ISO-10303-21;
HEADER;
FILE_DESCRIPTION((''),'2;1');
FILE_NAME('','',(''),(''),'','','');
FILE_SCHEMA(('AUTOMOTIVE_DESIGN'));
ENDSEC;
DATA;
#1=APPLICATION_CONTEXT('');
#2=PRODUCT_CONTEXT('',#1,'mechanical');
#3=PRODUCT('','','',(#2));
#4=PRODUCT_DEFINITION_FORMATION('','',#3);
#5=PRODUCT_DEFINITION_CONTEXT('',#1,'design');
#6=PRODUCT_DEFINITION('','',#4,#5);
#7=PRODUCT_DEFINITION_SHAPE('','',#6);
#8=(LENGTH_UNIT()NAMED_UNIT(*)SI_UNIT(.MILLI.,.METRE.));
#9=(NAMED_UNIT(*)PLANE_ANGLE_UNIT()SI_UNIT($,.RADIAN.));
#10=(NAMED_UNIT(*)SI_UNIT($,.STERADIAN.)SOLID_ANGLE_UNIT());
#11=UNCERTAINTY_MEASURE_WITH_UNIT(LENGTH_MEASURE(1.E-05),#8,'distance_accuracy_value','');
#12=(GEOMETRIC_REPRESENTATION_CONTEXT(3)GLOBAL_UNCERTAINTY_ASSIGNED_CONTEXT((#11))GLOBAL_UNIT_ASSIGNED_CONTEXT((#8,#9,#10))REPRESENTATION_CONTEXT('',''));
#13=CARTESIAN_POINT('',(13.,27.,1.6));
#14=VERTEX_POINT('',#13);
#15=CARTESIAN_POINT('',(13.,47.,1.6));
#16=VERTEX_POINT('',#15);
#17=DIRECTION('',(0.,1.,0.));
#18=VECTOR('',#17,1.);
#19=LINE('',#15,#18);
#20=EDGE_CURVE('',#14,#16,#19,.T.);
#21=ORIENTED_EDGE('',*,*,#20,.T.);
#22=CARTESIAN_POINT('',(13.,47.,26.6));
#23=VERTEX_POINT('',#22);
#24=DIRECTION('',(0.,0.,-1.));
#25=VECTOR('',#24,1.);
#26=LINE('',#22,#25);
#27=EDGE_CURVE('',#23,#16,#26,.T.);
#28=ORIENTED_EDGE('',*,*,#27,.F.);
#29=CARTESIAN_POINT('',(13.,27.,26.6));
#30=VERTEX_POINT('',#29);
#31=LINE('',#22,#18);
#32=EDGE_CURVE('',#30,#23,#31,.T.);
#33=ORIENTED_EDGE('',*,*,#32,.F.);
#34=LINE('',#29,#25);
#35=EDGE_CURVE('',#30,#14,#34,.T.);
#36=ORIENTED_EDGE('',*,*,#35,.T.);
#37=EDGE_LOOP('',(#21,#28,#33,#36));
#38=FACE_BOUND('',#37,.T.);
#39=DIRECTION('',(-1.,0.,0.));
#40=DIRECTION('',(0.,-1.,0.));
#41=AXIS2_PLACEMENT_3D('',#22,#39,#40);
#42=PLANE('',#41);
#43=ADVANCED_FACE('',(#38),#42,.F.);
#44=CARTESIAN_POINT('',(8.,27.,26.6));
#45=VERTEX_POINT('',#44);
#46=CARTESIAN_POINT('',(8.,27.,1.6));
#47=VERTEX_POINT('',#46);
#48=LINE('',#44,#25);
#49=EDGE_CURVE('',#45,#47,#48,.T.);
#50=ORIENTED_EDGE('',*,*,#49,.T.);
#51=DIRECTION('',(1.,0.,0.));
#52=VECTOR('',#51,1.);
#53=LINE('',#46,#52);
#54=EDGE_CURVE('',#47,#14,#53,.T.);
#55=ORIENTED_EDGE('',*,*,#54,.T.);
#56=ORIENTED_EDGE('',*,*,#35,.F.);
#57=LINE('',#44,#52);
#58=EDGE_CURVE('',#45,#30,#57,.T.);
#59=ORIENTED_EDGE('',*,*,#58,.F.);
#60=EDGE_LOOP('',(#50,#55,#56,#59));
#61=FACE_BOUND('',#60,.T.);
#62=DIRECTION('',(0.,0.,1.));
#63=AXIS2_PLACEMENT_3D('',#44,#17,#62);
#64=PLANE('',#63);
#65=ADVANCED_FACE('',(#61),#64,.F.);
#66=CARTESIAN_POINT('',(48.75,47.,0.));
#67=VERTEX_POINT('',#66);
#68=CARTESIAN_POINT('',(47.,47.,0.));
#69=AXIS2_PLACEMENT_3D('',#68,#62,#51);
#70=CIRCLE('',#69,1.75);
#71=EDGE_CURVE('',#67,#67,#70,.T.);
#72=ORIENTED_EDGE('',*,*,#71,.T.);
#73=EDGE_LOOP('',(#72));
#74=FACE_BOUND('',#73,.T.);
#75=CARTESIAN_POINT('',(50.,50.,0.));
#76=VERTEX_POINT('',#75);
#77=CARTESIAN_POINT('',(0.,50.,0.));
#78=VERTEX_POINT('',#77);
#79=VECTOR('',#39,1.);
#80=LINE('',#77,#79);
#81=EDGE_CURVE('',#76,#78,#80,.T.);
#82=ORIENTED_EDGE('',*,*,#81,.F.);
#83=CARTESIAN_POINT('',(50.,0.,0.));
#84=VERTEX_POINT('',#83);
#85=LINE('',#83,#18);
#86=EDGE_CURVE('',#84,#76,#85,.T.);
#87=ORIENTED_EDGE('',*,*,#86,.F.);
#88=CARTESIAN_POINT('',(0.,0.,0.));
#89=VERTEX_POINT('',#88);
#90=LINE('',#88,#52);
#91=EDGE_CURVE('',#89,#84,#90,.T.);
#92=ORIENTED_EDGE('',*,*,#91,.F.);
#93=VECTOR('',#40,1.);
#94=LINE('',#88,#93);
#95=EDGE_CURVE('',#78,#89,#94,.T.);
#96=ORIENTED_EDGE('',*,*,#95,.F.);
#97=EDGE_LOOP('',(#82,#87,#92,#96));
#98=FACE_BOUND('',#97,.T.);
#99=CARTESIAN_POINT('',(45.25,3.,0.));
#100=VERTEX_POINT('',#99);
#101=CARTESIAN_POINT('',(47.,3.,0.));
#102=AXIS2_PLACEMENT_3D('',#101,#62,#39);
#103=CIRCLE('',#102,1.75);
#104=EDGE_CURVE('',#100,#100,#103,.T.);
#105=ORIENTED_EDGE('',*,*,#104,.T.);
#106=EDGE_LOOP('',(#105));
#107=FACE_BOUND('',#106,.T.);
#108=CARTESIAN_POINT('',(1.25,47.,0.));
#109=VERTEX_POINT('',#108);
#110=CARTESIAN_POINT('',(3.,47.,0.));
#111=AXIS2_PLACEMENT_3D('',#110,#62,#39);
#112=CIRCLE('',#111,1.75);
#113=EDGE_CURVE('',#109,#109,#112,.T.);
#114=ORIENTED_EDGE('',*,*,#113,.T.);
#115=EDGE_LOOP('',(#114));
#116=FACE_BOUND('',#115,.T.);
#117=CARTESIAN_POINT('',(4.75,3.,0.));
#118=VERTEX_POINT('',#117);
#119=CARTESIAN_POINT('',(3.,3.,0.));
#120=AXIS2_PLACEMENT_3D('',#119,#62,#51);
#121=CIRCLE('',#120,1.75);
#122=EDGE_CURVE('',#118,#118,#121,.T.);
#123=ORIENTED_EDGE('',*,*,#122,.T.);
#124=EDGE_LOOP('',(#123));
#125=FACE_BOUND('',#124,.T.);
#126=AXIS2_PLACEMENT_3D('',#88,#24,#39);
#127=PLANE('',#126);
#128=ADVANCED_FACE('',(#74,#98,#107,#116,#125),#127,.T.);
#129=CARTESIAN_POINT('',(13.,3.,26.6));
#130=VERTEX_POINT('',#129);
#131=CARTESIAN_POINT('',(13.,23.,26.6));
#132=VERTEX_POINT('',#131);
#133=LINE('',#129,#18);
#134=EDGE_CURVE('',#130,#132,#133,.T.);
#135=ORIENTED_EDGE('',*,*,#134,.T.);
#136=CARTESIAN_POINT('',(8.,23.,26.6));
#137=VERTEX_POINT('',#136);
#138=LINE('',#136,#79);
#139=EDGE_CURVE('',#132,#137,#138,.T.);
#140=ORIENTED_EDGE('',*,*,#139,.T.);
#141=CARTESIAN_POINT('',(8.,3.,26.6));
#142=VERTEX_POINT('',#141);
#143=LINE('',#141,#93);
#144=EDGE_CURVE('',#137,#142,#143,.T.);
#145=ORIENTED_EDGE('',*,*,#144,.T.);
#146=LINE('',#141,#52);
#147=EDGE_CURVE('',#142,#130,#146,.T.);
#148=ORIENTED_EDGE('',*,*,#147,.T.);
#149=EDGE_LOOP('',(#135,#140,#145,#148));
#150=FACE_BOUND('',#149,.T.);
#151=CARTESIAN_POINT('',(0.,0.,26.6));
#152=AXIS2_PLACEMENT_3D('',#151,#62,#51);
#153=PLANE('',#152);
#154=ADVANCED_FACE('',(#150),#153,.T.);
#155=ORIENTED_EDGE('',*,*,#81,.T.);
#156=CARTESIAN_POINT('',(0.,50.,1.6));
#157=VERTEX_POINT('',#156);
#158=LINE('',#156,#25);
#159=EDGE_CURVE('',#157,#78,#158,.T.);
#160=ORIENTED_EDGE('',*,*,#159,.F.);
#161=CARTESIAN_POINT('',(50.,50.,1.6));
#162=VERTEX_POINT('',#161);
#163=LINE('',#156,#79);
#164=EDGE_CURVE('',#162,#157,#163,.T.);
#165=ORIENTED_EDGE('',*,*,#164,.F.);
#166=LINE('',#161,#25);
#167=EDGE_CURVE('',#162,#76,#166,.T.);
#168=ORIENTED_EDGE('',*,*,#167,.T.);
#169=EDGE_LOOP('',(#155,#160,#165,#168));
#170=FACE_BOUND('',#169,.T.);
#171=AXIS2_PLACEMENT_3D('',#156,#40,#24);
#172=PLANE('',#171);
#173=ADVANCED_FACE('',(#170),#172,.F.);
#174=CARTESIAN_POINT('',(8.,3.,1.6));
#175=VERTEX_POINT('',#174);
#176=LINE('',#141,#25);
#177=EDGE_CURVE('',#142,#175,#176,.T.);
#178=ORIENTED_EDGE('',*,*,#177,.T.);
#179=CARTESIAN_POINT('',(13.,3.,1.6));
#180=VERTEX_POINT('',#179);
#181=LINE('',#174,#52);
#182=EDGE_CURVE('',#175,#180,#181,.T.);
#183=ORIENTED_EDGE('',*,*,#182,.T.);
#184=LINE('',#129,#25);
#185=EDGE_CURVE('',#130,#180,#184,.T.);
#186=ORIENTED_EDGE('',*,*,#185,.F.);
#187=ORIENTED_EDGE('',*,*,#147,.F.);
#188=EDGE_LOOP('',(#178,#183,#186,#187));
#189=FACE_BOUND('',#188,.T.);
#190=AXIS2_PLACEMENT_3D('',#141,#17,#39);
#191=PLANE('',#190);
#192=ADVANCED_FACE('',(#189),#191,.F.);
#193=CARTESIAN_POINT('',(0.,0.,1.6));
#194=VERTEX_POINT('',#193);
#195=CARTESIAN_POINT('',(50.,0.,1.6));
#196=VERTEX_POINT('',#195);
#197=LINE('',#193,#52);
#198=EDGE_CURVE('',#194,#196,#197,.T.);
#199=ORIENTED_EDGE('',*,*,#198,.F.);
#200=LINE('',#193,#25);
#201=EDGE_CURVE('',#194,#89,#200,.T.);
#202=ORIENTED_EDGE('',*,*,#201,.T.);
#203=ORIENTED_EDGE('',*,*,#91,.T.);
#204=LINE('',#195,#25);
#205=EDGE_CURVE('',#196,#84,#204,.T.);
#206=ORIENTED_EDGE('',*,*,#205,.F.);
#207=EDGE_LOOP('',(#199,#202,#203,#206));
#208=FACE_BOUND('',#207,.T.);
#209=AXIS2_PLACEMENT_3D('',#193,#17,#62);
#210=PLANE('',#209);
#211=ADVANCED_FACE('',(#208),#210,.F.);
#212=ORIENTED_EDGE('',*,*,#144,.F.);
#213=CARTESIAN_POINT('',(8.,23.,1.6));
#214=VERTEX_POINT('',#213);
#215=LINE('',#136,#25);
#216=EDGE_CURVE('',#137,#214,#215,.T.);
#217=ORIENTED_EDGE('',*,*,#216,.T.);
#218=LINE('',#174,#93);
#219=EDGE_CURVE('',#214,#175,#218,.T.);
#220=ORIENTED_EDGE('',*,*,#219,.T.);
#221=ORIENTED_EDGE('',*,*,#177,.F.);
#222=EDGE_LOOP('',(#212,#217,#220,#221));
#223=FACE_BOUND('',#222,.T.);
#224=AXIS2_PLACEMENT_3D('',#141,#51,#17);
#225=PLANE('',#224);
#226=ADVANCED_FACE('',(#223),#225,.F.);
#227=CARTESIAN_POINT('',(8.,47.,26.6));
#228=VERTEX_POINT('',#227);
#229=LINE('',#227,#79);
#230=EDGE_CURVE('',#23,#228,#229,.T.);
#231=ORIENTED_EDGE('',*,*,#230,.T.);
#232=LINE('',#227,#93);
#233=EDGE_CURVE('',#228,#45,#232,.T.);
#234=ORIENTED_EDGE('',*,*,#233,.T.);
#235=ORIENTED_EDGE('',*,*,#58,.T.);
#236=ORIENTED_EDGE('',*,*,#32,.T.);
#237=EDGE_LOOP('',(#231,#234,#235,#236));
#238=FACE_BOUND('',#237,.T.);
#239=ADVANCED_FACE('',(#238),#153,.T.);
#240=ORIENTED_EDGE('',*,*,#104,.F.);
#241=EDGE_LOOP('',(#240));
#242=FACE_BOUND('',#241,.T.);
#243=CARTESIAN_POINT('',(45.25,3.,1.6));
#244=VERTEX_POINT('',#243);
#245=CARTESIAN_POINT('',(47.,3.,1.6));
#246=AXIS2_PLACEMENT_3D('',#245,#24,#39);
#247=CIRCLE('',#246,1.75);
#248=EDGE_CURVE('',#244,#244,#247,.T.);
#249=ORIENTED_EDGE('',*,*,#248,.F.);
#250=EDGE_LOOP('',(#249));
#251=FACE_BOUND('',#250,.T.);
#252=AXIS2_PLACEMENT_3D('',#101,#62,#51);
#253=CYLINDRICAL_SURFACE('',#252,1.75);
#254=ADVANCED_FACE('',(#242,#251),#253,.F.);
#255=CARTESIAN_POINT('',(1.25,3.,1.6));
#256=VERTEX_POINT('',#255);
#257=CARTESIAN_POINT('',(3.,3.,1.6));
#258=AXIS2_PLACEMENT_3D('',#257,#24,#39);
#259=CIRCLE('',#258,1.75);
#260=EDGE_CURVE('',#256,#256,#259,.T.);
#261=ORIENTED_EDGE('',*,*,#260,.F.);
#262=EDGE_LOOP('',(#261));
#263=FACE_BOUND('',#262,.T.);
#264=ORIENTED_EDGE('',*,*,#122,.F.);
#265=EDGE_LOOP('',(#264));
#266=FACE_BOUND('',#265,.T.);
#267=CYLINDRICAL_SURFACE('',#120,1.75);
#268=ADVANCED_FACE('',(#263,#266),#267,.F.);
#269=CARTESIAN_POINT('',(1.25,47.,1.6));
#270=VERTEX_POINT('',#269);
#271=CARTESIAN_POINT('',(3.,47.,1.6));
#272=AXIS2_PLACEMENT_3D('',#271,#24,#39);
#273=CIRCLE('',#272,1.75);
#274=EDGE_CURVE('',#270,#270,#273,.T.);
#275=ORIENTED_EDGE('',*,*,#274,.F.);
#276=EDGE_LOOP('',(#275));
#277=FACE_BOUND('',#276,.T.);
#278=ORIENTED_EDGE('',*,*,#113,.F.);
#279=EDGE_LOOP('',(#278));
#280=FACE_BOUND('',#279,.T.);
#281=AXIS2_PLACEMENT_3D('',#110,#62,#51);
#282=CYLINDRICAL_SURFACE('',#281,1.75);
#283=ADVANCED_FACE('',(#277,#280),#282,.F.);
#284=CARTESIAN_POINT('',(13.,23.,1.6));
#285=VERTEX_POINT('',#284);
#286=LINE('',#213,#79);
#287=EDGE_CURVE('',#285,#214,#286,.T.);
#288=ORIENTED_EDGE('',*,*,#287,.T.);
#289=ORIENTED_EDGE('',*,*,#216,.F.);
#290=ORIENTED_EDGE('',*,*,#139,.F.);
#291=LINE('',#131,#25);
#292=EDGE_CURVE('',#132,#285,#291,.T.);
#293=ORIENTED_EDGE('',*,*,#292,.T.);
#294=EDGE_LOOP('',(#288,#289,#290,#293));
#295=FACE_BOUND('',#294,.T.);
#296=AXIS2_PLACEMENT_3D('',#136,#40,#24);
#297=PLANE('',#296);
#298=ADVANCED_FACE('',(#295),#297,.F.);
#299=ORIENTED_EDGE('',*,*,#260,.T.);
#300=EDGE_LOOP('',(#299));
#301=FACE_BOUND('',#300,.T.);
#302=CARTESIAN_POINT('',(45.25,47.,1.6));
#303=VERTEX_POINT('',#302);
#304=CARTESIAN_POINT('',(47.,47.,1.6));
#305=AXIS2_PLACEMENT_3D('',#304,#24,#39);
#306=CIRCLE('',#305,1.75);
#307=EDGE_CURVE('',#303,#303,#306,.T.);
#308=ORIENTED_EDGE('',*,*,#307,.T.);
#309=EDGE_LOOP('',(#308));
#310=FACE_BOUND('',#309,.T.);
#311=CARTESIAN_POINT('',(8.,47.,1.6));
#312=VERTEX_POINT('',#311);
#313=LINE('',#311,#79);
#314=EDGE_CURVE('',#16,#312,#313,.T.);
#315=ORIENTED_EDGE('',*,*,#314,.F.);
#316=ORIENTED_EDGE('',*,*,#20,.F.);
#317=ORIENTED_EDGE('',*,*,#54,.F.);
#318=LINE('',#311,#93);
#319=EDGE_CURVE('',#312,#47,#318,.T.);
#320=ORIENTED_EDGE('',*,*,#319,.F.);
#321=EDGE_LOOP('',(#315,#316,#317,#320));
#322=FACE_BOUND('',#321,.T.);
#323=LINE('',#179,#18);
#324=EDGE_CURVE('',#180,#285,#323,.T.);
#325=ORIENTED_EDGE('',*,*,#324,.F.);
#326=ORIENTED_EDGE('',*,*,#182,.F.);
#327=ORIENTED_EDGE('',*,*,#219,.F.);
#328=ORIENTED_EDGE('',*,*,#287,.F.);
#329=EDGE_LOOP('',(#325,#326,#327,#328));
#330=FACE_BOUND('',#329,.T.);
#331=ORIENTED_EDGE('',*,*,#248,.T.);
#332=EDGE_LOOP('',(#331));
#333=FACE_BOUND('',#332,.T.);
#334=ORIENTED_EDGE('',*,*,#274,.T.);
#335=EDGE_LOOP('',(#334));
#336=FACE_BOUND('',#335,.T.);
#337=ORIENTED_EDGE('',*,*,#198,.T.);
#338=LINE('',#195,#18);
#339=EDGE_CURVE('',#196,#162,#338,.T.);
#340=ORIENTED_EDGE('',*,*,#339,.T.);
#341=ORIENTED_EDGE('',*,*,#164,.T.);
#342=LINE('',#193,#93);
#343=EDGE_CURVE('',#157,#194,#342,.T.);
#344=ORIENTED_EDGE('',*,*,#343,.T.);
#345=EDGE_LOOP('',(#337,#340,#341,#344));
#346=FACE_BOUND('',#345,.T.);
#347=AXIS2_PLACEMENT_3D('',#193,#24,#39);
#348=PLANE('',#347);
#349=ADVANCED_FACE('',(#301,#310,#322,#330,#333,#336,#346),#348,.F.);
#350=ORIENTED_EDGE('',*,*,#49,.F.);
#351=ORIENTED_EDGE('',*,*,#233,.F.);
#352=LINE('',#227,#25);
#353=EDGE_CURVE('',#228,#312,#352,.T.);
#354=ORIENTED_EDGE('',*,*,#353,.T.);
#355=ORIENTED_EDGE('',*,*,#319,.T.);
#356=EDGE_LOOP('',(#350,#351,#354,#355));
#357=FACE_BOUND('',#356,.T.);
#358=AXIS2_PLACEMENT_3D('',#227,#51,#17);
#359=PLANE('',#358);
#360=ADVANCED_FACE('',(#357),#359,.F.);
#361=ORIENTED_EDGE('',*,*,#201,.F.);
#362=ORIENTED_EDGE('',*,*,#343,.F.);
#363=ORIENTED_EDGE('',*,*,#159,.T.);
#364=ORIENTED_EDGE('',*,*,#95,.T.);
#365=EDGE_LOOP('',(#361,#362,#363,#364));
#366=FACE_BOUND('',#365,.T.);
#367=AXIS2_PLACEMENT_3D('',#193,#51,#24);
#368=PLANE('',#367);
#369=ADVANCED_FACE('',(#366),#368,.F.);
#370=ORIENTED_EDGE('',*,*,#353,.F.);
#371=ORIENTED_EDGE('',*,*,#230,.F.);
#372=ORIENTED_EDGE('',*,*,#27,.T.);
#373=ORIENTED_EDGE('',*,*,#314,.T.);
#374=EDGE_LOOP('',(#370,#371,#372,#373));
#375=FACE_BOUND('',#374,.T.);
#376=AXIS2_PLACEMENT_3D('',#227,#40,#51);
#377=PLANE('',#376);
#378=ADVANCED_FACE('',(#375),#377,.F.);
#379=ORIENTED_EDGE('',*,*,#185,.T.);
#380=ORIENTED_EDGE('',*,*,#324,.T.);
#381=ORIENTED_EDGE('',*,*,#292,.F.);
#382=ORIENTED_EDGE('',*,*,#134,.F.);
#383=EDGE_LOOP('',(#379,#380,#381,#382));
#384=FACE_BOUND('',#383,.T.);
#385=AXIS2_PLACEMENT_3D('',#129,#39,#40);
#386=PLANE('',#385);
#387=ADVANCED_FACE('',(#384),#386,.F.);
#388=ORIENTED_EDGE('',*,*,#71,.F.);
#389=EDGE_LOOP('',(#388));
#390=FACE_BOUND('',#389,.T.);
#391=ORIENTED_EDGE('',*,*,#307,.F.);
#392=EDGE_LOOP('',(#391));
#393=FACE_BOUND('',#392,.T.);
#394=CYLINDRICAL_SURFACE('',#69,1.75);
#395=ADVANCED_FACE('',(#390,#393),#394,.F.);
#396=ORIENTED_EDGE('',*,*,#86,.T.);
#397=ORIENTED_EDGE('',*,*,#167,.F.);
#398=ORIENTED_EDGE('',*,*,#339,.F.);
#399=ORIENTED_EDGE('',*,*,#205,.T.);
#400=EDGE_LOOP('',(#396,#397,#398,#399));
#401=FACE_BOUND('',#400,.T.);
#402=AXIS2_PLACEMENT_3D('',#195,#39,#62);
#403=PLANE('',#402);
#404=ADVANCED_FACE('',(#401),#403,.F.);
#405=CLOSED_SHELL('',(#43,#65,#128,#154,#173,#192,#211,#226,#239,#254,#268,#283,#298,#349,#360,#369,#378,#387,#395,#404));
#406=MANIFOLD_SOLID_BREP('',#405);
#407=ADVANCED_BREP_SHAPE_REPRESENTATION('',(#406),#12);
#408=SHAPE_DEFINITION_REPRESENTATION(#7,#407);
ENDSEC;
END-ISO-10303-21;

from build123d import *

# Parameters (mm, degrees)
ESQUISSE1_W                  = 50
ESQUISSE1_H                  = 50
BOSS_EXTRU_1_DEPTH           = 1.6
ESQUISSE2_R                  = 1.75
ENL_V_MAT_EXTRU_1_DEPTH      = 1
ENL_V_MAT_EXTRU_1_DEPTH_BACK = 2.6
ESQUISSE3_W                  = 5
ESQUISSE3_H                  = 20
BOSS_EXTRU_2_DEPTH           = 25


with BuildPart() as part:
    # Esquisse1 → Boss.-Extru.1 (new body)
    with BuildSketch(Plane.XY):
        with Locations((25, 25)):
            Rectangle(ESQUISSE1_W, ESQUISSE1_H)
    extrude(amount=BOSS_EXTRU_1_DEPTH)

    # Esquisse2 → Enlèv. mat.-Extru.1 (cut, two sides)
    with BuildSketch(Plane.XY.offset(1.6)) as enl_v_mat_extru_1_sk:
        with Locations((3, 3)):
            Circle(ESQUISSE2_R)
        with Locations((47, 3)):
            Circle(ESQUISSE2_R)
        with Locations((47, 47)):
            Circle(ESQUISSE2_R)
        with Locations((3, 47)):
            Circle(ESQUISSE2_R)
    extrude(amount=ENL_V_MAT_EXTRU_1_DEPTH, mode=Mode.SUBTRACT)
    extrude(enl_v_mat_extru_1_sk.sketch, amount=-ENL_V_MAT_EXTRU_1_DEPTH_BACK, mode=Mode.SUBTRACT)

    # Esquisse3 → Boss.-Extru.2 (add)
    with BuildSketch(Plane.XY.offset(1.6)):
        with Locations((10.5, 37)):
            Rectangle(ESQUISSE3_W, ESQUISSE3_H)
        with Locations((10.5, 13)):
            Rectangle(ESQUISSE3_W, ESQUISSE3_H)
    extrude(amount=BOSS_EXTRU_2_DEPTH)


solid = part.part
